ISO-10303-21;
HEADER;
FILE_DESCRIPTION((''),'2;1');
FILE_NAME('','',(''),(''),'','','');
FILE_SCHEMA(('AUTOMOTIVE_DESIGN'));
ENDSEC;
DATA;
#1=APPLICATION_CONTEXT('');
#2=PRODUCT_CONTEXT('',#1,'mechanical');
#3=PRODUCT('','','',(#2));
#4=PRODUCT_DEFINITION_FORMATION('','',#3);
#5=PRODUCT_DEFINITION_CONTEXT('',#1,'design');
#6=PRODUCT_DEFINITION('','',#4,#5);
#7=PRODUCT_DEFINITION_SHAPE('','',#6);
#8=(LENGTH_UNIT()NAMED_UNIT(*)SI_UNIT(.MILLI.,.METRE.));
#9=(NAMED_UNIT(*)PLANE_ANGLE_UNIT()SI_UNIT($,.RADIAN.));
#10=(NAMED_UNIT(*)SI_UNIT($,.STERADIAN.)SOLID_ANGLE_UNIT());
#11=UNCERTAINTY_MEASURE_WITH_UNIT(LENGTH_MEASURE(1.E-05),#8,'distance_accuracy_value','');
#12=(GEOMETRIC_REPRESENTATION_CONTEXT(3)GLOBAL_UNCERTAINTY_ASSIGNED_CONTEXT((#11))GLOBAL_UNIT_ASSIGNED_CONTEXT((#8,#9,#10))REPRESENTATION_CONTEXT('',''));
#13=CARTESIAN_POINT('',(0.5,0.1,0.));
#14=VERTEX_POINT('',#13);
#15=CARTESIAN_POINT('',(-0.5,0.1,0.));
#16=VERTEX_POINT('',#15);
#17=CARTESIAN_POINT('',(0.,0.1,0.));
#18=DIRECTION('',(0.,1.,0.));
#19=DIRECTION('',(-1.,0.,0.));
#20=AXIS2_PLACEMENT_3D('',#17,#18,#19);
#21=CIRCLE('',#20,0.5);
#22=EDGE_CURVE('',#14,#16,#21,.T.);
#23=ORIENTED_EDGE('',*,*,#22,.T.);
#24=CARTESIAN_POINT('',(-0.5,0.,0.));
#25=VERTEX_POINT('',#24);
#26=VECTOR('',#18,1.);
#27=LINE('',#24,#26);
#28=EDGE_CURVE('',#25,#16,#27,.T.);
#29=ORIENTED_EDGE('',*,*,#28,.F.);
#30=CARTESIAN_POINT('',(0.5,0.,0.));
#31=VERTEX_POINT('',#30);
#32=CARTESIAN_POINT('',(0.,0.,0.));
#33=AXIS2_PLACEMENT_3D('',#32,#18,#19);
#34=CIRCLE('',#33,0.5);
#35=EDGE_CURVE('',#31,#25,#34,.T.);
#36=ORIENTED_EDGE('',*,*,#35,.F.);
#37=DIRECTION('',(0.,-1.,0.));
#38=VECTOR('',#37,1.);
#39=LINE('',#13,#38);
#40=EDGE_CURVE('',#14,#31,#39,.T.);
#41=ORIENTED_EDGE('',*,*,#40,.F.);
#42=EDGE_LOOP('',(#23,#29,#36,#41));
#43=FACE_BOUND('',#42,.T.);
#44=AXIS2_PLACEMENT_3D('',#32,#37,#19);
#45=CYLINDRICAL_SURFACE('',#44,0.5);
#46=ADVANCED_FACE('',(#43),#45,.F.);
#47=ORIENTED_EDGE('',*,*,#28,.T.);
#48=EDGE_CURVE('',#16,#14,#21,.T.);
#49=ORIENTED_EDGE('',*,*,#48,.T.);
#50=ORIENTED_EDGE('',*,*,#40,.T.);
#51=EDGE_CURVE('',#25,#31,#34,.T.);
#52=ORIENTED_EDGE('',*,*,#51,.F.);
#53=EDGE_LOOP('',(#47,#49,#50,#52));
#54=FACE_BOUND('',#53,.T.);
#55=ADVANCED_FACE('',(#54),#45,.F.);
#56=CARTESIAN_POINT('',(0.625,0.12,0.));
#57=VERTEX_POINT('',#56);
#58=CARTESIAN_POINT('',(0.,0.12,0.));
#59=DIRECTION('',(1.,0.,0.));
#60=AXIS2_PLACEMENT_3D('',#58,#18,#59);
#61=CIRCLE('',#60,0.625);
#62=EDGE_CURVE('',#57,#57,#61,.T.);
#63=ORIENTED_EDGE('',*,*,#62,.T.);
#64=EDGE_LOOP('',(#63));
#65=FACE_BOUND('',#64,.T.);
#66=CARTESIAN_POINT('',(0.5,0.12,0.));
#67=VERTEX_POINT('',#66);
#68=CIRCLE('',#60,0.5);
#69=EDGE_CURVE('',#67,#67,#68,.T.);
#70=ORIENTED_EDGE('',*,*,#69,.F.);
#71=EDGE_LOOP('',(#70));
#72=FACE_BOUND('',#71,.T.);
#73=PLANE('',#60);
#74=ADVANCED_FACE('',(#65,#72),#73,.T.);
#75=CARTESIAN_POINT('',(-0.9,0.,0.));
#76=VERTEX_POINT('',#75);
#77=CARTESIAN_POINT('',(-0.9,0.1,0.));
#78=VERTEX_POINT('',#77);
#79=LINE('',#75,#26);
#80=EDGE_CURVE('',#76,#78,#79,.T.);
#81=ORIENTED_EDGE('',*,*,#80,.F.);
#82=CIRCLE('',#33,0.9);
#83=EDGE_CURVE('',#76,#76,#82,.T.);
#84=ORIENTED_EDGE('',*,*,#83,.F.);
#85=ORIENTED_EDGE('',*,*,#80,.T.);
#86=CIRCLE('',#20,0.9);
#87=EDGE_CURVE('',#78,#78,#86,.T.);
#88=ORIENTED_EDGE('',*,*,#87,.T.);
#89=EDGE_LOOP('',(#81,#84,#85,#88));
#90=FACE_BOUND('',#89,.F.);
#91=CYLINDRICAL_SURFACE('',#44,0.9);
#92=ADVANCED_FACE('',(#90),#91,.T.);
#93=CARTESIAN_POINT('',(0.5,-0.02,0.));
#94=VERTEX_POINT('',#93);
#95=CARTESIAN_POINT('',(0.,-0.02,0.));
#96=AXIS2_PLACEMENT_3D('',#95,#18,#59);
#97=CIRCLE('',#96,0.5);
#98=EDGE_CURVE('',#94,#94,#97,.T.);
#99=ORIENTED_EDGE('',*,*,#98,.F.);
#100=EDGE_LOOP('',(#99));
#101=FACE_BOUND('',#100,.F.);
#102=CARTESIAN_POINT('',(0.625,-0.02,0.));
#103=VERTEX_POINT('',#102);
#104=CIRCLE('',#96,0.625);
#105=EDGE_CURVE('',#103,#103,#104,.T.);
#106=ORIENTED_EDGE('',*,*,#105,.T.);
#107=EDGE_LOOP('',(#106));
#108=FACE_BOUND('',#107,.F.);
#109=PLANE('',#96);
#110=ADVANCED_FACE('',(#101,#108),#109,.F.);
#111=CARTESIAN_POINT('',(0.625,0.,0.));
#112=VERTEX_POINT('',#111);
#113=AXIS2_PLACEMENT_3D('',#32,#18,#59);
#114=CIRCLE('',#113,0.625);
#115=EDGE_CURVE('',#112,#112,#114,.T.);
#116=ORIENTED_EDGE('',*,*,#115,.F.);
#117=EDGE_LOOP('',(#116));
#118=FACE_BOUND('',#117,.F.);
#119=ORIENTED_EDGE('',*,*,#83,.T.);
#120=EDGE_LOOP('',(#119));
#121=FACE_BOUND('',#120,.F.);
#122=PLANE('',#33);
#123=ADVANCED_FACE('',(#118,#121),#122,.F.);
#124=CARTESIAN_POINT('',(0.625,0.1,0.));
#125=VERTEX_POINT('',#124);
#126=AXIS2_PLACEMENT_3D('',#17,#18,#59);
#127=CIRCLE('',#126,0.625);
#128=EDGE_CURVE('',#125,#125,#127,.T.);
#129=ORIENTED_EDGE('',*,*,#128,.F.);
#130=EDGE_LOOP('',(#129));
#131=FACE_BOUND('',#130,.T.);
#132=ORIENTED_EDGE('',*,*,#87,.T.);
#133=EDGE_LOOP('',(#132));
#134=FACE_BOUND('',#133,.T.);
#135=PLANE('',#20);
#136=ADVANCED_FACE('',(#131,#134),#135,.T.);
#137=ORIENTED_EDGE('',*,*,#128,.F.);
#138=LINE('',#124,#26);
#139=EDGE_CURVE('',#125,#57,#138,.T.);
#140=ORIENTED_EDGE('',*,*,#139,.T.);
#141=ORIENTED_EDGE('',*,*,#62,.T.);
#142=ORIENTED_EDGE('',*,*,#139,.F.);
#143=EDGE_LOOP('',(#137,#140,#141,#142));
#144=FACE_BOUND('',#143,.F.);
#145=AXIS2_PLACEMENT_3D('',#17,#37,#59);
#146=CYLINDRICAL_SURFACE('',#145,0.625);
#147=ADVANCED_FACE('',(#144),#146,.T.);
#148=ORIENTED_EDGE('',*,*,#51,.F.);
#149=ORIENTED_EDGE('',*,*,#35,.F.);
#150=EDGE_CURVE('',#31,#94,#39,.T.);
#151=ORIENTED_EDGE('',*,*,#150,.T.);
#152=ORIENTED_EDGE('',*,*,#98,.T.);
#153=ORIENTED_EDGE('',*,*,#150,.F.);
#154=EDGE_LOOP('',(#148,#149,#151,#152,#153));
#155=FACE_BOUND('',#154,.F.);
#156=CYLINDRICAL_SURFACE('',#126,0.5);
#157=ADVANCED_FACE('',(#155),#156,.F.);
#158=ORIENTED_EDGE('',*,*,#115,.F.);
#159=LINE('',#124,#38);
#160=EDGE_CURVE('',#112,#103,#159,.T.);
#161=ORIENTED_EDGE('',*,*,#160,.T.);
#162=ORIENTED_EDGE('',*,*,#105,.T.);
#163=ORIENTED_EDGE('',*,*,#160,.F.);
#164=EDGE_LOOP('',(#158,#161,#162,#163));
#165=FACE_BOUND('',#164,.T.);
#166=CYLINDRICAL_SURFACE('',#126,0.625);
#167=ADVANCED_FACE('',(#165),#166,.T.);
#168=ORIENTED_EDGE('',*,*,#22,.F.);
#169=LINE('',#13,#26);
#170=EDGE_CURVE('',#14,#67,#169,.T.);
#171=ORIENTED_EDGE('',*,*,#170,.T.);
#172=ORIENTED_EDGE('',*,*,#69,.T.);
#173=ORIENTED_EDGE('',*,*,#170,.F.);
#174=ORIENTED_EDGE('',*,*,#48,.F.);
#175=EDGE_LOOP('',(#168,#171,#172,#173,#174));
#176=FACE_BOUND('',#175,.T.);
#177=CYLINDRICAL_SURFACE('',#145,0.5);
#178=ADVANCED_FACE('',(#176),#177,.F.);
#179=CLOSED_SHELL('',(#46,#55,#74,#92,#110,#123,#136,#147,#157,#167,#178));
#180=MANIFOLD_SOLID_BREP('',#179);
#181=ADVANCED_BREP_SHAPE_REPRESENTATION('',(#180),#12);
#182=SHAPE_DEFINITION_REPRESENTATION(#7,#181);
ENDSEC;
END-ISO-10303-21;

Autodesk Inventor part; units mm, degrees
ref_plane "YZ Plane" through (0, 0, 0) normal (1, 0, 0) x (0, 1, 0)
ref_plane "XZ Plane" through (0, 0, 0) normal (0, 1, 0) x (-1, 0, 0)
ref_plane "XY Plane" through (0, 0, 0) normal (0, 0, 1) x (1, 0, 0)
sketch "Esboço1" plane through (0, 0, 0) normal (0, 1, 0) x (-1, 0, 0)
  circle A0 centre (0, 0) radius 0.9
  circle A1 centre (0, 0) radius 0.5
  dimension "d0" = 1.8
  dimension "d1" = 1
extrude "Extrusão1" add sketch "Esboço1" along normal blind 0.1
sketch "Esboço2" plane through (0, 0.1, 0) normal (0, 1, 0) x (1, 0, 0)
  circle A0 centre (0, 0) radius 0.625
  circle A1 centre (0, 0) radius 0.5 projected
  dimension "d4" = 1.25
extrude "Extrusão2" add sketch "Esboço2" along normal blind 0.02 and the other way blind 0.12
properties part number "Apoio Contato" material "Plástico SAN"
